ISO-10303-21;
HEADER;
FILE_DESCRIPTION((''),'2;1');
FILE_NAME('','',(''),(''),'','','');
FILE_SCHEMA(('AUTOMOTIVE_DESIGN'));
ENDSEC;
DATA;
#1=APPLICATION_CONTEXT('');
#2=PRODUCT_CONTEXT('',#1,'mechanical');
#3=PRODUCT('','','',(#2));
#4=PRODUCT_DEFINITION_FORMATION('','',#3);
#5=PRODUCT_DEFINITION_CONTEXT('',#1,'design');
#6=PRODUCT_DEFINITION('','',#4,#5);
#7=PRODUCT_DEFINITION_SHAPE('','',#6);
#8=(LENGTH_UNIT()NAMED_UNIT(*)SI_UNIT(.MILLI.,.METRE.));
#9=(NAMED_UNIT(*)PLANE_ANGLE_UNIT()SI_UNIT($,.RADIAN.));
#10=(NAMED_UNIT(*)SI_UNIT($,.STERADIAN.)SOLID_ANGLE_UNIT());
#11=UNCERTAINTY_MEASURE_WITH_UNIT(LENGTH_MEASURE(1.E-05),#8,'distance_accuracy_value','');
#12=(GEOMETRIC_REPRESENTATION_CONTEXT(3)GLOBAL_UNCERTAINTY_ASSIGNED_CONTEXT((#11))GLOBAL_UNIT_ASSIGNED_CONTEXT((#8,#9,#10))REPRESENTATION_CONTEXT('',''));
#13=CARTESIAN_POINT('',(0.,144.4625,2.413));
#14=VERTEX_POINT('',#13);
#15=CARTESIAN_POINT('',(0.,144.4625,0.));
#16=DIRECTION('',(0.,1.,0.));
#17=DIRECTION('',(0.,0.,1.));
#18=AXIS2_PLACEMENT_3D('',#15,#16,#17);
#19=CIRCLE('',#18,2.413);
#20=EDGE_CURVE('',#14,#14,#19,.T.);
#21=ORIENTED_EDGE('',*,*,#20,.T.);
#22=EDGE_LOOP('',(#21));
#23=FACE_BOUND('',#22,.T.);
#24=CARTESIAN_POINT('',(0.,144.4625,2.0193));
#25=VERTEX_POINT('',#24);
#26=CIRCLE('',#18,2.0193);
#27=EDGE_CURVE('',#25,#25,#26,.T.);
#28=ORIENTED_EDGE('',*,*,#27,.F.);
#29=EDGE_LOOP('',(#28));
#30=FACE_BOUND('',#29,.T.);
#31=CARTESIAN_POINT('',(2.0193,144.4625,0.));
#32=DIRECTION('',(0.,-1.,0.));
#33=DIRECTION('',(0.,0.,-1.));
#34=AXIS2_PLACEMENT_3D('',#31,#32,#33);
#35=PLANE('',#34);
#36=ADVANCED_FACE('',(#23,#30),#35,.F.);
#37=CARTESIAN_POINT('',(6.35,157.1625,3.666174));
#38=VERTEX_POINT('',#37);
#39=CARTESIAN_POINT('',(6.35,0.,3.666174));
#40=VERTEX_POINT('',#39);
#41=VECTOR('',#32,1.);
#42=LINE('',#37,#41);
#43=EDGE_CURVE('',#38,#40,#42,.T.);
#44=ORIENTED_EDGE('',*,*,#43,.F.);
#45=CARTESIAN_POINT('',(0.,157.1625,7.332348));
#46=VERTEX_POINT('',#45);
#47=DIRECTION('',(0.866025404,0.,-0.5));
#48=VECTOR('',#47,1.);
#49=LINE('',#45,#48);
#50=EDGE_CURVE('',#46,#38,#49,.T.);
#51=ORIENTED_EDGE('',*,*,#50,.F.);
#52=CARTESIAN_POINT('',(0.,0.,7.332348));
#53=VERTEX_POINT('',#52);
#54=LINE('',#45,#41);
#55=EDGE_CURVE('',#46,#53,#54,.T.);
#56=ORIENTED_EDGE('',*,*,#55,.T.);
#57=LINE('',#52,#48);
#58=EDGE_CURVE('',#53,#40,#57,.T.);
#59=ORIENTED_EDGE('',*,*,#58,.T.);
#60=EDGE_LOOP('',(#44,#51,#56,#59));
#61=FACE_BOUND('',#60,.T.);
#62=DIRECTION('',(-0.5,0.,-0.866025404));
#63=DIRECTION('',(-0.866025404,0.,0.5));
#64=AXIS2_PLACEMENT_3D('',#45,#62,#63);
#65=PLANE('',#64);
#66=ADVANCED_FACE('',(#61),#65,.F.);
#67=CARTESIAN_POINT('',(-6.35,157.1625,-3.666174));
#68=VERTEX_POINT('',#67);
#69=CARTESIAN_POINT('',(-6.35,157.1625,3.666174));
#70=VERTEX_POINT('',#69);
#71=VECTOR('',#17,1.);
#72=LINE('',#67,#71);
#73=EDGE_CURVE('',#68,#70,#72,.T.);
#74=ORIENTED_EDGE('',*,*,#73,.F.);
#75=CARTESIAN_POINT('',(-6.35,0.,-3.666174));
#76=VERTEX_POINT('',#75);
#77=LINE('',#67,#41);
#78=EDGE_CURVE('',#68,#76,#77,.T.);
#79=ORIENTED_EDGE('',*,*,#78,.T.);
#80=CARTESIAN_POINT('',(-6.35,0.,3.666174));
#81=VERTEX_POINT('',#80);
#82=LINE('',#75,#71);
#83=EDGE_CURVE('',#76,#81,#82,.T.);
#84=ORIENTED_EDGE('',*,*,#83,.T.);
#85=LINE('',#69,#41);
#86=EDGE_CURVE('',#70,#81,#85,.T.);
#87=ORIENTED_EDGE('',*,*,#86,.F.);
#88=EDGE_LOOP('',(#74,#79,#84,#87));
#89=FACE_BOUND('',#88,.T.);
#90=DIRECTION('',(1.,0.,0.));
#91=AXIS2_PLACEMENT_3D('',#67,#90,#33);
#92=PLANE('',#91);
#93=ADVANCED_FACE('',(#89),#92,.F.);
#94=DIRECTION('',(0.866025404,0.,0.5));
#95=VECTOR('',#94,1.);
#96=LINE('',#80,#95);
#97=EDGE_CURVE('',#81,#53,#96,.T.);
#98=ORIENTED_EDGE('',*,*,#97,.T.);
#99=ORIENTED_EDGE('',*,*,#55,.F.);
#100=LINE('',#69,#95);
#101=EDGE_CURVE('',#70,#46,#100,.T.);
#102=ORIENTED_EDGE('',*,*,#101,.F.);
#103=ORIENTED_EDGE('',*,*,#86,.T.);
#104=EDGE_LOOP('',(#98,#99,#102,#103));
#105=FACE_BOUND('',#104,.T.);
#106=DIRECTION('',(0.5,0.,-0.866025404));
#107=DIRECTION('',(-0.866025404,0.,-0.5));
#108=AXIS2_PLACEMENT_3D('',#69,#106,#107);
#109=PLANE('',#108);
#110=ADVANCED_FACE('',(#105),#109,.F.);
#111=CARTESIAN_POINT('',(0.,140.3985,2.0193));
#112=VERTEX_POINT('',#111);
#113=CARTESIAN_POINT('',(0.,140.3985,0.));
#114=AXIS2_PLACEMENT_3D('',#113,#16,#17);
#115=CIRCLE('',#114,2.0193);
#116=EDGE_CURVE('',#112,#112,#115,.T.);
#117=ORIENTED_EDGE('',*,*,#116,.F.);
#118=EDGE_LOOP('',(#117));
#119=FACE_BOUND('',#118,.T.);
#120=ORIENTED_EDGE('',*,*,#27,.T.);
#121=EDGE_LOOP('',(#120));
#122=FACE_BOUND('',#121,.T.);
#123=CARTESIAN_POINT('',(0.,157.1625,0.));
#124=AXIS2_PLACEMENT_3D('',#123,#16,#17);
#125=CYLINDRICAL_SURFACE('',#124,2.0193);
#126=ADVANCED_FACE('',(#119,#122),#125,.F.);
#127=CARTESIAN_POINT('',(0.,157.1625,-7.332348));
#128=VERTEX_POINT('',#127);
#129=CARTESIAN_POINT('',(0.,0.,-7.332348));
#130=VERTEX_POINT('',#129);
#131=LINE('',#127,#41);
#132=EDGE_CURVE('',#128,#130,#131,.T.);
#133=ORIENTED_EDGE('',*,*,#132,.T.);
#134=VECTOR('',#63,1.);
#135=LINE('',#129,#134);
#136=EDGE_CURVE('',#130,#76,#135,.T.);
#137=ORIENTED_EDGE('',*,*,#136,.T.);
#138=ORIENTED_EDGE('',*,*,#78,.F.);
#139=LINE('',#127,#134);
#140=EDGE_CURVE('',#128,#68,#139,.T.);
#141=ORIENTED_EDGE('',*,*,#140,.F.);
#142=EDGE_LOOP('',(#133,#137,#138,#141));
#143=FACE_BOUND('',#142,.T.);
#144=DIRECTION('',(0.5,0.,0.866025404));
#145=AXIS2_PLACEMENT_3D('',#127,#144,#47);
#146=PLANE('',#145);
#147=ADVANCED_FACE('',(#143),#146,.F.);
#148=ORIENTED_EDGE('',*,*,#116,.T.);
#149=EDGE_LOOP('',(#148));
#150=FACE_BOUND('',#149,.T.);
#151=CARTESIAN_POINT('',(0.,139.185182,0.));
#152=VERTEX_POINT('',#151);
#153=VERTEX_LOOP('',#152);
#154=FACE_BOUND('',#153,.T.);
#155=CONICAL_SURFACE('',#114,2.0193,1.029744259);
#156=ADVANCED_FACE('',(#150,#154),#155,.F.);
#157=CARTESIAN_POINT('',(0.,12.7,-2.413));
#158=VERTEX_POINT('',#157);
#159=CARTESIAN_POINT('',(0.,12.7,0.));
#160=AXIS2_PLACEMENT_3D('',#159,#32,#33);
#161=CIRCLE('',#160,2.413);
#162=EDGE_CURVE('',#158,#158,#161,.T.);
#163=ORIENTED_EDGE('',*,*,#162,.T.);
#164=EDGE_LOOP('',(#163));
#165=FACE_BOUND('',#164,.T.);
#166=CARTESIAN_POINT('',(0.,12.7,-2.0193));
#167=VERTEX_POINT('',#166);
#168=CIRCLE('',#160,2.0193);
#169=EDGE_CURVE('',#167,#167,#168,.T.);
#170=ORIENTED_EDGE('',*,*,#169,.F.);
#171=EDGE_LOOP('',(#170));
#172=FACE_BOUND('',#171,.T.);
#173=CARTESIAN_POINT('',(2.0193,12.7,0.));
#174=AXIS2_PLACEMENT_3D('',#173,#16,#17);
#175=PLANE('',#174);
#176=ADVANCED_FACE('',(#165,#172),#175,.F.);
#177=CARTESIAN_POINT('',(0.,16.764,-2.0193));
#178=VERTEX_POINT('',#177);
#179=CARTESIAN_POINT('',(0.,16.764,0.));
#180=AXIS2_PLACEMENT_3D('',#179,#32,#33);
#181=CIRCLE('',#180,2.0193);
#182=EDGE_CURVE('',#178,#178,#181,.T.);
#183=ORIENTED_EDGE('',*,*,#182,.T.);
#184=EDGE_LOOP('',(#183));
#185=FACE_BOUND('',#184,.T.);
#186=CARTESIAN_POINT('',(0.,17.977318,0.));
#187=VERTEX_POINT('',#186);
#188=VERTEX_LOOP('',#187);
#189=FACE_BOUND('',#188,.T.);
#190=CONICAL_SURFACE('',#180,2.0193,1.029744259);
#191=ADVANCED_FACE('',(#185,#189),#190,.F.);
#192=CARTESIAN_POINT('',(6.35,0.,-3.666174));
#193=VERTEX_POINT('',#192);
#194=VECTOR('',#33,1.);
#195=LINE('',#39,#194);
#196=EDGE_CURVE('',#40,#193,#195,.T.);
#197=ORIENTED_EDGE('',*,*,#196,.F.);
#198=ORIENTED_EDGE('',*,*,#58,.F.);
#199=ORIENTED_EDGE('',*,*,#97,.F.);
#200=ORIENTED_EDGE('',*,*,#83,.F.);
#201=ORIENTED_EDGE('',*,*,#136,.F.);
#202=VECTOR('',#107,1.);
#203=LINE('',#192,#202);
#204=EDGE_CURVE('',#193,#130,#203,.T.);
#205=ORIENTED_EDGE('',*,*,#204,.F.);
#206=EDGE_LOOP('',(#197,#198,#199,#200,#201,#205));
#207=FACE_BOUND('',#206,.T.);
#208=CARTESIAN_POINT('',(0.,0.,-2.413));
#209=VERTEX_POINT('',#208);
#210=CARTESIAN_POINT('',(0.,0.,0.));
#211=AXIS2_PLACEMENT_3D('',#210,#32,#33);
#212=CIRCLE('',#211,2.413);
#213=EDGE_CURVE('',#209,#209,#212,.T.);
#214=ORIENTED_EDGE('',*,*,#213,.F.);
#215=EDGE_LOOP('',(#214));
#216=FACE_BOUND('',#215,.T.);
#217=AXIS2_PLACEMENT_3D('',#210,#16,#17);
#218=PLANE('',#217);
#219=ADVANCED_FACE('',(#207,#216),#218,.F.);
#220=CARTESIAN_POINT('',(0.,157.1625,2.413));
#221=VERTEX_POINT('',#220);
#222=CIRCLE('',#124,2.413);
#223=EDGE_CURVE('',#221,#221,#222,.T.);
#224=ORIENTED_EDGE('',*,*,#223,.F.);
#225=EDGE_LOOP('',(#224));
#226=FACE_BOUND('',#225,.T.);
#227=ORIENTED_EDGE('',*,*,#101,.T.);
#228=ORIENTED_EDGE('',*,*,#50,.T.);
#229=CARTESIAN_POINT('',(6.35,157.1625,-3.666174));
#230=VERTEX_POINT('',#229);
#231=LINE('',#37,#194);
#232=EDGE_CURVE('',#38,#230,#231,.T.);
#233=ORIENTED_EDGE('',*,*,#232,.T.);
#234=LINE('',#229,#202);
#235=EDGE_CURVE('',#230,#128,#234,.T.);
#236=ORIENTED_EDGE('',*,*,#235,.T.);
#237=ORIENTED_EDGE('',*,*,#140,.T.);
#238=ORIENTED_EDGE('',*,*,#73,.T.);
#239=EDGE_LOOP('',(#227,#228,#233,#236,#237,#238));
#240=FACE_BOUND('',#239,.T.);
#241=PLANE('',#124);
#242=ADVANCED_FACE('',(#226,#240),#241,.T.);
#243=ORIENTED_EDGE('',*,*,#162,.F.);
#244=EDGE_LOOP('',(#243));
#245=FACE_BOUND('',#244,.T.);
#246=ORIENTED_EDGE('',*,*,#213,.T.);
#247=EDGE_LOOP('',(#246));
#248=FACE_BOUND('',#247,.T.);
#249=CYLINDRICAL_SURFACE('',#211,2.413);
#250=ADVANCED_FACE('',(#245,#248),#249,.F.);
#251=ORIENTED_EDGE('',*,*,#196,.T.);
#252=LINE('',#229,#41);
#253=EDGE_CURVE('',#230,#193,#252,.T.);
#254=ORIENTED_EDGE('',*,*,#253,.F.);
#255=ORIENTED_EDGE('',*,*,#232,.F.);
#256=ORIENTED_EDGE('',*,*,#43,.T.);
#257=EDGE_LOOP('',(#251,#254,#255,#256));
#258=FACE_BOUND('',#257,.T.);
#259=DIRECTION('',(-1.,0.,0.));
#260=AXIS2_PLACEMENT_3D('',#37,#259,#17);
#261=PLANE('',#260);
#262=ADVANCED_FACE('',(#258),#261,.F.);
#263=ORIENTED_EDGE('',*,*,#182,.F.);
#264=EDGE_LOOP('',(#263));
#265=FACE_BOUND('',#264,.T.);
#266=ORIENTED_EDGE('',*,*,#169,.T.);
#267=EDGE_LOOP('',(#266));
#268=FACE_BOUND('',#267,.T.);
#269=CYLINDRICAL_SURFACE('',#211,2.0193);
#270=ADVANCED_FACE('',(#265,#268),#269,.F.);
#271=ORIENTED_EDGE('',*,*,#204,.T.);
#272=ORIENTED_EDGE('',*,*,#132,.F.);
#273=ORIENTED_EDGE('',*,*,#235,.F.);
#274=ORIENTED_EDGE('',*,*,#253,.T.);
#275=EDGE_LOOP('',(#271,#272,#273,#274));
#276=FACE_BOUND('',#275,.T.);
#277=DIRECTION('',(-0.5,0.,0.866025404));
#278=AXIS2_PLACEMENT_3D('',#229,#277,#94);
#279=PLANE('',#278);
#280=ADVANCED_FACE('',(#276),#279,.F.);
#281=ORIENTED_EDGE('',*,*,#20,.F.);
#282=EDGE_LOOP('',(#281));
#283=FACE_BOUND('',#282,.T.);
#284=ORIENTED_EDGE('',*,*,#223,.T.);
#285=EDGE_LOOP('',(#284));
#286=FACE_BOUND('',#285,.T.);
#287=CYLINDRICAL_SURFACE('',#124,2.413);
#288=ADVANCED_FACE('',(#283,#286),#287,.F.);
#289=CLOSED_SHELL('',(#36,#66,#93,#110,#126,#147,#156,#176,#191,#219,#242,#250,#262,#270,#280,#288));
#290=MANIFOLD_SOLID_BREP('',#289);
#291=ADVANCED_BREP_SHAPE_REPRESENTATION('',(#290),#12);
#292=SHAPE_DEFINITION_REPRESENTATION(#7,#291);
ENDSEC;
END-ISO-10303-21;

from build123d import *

# Parameters (mm, degrees)
BOSS_EXTRUDE1_DEPTH                        = 157.1625
F_10_32_TAPPED_HOLE1_D                     = 4.0386
F_10_32_TAPPED_HOLE1_DEPTH                 = 16.764
F_10_32_TAPPED_HOLE1_CBORE_D               = 4.826
F_10_32_TAPPED_HOLE1_CBORE_DEPTH           = 12.7
F_10_32_TAPPED_HOLE1_TIP                   = 1.213317848
F_10_32_TAPPED_HOLE1_ON_FACE_2_D           = 4.0386
F_10_32_TAPPED_HOLE1_ON_FACE_2_DEPTH       = 16.764
F_10_32_TAPPED_HOLE1_ON_FACE_2_CBORE_D     = 4.826
F_10_32_TAPPED_HOLE1_ON_FACE_2_CBORE_DEPTH = 12.7
F_10_32_TAPPED_HOLE1_ON_FACE_2_TIP         = 1.213317848


with BuildPart() as part:
    # Sketch1 → Boss-Extrude1 (new body)
    with BuildSketch(Plane(origin=(0, 0, 0), x_dir=(1, 0, 0), z_dir=(0, 1, 0))):
        Polygon((0, 7.332348419), (-6.35, 3.666174209), (-6.35, -3.666174209), (0, -7.332348419), (6.35, -3.666174209), (6.35, 3.666174209), align=None)
    extrude(amount=BOSS_EXTRUDE1_DEPTH)

    # #10-32 Tapped Hole1
    with Locations(Plane.ZX.offset(157.1625)):
        with Locations((0, 0)):
            CounterBoreHole(F_10_32_TAPPED_HOLE1_D / 2, F_10_32_TAPPED_HOLE1_CBORE_D / 2, F_10_32_TAPPED_HOLE1_CBORE_DEPTH, depth=F_10_32_TAPPED_HOLE1_DEPTH)
            with Locations((0, 0, -(F_10_32_TAPPED_HOLE1_DEPTH + F_10_32_TAPPED_HOLE1_TIP / 2))):  # 118° drill point
                Cone(0, F_10_32_TAPPED_HOLE1_D / 2, F_10_32_TAPPED_HOLE1_TIP, mode=Mode.SUBTRACT)

    # #10-32 Tapped Hole1 on face 2
    with Locations(Plane(origin=(0, 0, 0), x_dir=(0, 0, -1), z_dir=(0, -1, 0))):
        with Locations((0, 0)):
            CounterBoreHole(F_10_32_TAPPED_HOLE1_ON_FACE_2_D / 2, F_10_32_TAPPED_HOLE1_ON_FACE_2_CBORE_D / 2, F_10_32_TAPPED_HOLE1_ON_FACE_2_CBORE_DEPTH, depth=F_10_32_TAPPED_HOLE1_ON_FACE_2_DEPTH)
            with Locations((0, 0, -(F_10_32_TAPPED_HOLE1_ON_FACE_2_DEPTH + F_10_32_TAPPED_HOLE1_ON_FACE_2_TIP / 2))):  # 118° drill point
                Cone(0, F_10_32_TAPPED_HOLE1_ON_FACE_2_D / 2, F_10_32_TAPPED_HOLE1_ON_FACE_2_TIP, mode=Mode.SUBTRACT)


solid = part.part
